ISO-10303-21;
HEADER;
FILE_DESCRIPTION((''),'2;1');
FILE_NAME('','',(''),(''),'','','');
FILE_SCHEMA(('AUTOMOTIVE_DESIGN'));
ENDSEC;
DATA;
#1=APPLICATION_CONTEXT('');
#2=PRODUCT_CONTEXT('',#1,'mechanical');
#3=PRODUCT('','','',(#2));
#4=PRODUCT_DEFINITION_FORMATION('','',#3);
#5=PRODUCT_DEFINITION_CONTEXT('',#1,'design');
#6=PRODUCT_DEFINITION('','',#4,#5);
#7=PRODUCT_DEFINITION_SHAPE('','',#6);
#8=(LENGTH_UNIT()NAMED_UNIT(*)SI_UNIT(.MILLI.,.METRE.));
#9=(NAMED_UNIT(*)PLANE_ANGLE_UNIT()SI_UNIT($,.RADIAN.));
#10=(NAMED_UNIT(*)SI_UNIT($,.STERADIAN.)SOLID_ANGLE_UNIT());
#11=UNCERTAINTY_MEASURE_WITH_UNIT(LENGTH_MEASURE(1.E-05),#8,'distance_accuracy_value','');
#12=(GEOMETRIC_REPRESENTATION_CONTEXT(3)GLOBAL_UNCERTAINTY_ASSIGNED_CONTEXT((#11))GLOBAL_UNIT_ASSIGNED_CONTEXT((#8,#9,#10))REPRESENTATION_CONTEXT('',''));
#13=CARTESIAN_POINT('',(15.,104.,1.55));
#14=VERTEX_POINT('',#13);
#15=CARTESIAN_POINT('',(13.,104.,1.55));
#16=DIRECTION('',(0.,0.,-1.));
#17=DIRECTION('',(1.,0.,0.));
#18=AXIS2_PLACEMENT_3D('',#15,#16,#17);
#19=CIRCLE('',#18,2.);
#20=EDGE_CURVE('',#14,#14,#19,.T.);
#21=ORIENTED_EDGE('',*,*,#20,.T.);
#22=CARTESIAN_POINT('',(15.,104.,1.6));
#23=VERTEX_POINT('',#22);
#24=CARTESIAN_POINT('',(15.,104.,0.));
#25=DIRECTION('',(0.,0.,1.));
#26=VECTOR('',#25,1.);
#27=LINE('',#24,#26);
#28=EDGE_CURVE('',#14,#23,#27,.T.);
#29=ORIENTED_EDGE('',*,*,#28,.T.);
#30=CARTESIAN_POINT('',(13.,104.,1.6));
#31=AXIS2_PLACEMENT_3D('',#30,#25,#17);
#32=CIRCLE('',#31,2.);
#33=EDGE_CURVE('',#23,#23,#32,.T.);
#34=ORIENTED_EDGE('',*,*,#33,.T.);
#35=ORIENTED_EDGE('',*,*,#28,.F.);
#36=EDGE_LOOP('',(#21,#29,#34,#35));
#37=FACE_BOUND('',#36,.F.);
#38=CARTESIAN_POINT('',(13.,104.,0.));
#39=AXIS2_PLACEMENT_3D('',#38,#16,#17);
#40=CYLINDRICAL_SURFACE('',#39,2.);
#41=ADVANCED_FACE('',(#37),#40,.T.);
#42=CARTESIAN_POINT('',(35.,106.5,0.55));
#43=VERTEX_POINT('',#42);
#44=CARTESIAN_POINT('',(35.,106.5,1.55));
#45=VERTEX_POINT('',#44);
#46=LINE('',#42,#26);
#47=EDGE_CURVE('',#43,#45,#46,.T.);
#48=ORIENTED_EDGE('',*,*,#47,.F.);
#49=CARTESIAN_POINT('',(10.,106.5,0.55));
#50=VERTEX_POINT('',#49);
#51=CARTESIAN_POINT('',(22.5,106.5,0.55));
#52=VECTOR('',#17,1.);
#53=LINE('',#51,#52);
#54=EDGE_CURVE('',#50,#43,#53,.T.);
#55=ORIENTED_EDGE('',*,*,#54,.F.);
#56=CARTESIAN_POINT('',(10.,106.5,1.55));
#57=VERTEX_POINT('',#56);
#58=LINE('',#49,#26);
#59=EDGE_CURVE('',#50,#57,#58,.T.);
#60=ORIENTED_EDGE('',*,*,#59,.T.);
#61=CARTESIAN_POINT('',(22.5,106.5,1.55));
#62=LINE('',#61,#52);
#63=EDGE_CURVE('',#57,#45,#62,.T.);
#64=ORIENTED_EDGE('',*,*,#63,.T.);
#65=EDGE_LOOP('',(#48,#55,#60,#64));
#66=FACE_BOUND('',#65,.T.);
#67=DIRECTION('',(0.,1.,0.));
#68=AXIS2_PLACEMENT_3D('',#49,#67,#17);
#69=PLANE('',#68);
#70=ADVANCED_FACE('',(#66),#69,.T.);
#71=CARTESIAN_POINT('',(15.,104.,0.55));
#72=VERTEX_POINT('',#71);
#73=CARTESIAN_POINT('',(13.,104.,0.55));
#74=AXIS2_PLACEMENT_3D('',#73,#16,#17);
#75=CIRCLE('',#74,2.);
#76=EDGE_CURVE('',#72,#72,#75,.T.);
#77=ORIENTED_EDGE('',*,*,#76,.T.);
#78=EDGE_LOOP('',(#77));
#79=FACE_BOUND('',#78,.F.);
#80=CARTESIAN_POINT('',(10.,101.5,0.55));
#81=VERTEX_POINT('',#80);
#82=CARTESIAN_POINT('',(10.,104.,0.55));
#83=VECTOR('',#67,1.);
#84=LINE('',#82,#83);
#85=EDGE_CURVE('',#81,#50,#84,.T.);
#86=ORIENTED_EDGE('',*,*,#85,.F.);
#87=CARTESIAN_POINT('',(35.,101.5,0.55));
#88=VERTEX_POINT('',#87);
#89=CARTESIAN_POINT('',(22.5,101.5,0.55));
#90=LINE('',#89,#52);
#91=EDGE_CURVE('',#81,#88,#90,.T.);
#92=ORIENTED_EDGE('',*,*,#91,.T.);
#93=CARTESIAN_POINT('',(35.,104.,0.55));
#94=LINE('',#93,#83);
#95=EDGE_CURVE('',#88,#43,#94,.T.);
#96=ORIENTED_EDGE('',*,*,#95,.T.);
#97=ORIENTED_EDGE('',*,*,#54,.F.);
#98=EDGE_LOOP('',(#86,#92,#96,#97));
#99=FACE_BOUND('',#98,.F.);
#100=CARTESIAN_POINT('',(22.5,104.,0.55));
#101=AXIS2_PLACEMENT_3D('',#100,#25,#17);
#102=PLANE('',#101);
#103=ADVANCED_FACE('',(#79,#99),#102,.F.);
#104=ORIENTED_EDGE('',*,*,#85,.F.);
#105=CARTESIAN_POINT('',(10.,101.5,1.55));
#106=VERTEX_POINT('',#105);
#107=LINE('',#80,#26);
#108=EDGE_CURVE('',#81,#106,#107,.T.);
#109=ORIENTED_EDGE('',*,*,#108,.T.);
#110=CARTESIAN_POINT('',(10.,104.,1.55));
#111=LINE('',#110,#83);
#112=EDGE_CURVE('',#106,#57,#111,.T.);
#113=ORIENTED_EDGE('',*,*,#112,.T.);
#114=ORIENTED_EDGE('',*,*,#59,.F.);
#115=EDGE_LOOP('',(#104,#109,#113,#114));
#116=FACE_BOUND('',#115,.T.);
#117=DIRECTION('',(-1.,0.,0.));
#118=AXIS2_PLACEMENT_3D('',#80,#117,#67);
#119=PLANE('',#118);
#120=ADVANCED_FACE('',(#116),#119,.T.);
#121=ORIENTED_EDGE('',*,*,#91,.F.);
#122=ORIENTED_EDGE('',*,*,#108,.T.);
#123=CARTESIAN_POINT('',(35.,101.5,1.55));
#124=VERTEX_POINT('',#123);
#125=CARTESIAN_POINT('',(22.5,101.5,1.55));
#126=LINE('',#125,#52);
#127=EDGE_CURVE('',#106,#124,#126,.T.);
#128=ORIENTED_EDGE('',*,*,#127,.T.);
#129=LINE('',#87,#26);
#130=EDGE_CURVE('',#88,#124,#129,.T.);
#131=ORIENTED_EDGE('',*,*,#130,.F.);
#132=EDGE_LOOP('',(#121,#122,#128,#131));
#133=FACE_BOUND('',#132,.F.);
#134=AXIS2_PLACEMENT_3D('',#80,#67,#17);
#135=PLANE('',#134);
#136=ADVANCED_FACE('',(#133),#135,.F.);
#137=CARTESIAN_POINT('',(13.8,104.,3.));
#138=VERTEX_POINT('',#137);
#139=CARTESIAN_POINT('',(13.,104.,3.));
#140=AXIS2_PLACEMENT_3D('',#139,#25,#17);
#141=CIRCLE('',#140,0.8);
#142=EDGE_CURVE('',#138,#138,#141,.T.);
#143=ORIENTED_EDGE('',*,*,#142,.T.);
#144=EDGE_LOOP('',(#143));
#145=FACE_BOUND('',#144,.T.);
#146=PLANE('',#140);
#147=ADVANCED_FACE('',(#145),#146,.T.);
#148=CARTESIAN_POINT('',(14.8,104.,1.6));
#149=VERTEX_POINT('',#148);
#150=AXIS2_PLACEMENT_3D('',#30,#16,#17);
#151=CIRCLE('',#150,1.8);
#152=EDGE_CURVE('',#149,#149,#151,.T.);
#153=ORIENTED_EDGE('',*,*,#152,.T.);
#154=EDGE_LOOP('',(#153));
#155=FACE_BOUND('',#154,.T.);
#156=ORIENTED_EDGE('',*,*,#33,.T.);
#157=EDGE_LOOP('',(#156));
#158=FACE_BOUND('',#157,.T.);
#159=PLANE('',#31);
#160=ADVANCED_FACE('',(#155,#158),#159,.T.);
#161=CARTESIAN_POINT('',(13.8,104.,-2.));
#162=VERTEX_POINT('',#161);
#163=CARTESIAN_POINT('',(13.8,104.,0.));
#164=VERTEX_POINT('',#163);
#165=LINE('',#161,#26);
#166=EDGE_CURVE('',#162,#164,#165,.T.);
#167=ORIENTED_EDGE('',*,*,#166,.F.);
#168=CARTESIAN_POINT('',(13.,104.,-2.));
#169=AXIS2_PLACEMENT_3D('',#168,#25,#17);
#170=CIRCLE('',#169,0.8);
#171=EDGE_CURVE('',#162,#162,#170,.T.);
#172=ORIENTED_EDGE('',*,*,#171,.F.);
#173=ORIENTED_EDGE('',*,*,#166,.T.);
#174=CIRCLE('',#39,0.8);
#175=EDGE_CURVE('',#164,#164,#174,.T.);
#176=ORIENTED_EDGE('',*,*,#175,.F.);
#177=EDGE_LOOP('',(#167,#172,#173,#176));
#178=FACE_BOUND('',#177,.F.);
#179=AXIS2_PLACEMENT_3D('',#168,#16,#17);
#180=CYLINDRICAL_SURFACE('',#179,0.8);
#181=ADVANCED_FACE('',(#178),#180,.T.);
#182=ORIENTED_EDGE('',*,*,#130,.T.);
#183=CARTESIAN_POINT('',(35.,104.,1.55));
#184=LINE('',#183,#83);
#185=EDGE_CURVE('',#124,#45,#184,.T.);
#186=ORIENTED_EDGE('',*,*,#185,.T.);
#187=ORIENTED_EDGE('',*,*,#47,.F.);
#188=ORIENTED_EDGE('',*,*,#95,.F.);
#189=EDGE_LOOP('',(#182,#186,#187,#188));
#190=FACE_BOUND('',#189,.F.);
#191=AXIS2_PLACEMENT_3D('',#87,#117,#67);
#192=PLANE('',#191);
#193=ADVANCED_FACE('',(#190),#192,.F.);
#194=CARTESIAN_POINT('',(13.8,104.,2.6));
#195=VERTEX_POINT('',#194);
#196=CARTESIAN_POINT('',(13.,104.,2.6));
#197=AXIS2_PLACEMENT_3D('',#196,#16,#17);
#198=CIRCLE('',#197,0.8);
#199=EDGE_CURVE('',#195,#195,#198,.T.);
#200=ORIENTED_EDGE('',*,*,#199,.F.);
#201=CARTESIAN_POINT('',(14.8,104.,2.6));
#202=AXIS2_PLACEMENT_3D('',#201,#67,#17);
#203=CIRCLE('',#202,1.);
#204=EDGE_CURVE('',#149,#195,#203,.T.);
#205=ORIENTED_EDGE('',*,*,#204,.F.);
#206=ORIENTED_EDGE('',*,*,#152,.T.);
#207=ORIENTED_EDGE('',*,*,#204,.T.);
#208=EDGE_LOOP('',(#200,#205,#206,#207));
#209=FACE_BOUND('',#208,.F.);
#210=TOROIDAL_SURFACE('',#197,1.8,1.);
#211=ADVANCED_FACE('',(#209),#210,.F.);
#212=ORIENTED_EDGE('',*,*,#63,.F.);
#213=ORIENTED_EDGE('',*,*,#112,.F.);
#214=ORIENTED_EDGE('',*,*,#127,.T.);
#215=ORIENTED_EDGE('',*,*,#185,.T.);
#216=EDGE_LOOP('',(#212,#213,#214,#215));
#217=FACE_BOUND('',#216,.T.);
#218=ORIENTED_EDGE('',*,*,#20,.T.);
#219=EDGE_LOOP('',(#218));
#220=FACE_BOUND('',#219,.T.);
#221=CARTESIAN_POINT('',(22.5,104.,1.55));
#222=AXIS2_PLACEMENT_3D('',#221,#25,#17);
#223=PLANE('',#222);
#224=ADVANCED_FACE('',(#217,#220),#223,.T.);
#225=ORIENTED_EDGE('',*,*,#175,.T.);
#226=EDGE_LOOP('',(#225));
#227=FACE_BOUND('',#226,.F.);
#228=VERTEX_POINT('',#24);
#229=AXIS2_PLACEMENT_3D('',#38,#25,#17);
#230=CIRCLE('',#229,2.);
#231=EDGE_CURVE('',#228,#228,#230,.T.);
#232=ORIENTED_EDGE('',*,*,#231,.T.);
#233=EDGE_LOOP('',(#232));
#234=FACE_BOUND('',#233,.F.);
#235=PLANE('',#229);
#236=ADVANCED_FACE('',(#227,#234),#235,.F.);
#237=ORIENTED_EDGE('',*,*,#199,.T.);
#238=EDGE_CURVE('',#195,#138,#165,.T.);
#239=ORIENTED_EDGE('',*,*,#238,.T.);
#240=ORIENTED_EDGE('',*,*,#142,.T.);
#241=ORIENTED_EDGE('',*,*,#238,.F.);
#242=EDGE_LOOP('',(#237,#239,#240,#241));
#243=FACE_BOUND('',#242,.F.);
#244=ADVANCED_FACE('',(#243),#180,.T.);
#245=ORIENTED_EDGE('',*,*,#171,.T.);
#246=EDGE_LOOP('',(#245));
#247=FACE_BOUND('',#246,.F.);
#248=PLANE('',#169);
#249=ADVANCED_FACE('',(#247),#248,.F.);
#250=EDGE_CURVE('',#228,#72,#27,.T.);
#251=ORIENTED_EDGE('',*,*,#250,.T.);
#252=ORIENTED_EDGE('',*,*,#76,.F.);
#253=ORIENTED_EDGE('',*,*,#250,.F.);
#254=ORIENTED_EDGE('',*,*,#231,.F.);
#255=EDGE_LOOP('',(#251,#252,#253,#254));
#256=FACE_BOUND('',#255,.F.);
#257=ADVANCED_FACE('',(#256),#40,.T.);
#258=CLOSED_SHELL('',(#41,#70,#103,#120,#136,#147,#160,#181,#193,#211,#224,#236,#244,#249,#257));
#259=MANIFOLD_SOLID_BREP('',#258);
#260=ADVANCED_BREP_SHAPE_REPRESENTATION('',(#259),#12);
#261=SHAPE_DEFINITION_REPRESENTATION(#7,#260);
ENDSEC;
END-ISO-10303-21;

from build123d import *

# Parameters (mm, degrees)
CYLINDER005_R     = 2
CYLINDER005_DEPTH = 1.6
CYLINDER_R        = 0.8
CYLINDER_DEPTH    = 5
FILLET004_R       = 1
BOX005_W          = 25
BOX005_H          = 5
BOX005_DEPTH      = 1


with BuildPart() as cilindro005:
    # Cylinder005 → Cylinder005 (new body)
    with BuildSketch(Plane(origin=(8, 104, 0), x_dir=(1, 0, 0), z_dir=(0, 0, 1))):
        Circle(CYLINDER005_R)
    extrude(amount=CYLINDER005_DEPTH)


with BuildPart() as fillet004:
    # Cylinder → Cylinder (new body)
    with BuildSketch(Plane(origin=(8, 104, -2), x_dir=(1, 0, 0), z_dir=(0, 0, 1))):
        Circle(CYLINDER_R)
    extrude(amount=CYLINDER_DEPTH)

    # Fusion002: union Cilindro005
    add(cilindro005.part)

    # Fillet004
    fillet004_edges = [fillet004.edges().sort_by_distance(p)[0] for p in [
        (7.2, 104, 1.6),
    ]]
    fillet(fillet004_edges, radius=FILLET004_R)


with BuildPart() as soldadurarojo:
    # Box005 → Box005 (new body)
    with BuildSketch(Plane(origin=(5, 101.5, 0.55), x_dir=(1, 0, 0), z_dir=(0, 0, 1))):
        with Locations((12.5, 2.5)):
            Rectangle(BOX005_W, BOX005_H)
    extrude(amount=BOX005_DEPTH)

    # Fusion004: union Fillet004
    add(fillet004.part)


with BuildPart() as soldadurarojo_1:
    # Fusion004 placement: moved
    add(soldadurarojo.part.moved(Location((5, 0, 0))))


solid = soldadurarojo_1.part
